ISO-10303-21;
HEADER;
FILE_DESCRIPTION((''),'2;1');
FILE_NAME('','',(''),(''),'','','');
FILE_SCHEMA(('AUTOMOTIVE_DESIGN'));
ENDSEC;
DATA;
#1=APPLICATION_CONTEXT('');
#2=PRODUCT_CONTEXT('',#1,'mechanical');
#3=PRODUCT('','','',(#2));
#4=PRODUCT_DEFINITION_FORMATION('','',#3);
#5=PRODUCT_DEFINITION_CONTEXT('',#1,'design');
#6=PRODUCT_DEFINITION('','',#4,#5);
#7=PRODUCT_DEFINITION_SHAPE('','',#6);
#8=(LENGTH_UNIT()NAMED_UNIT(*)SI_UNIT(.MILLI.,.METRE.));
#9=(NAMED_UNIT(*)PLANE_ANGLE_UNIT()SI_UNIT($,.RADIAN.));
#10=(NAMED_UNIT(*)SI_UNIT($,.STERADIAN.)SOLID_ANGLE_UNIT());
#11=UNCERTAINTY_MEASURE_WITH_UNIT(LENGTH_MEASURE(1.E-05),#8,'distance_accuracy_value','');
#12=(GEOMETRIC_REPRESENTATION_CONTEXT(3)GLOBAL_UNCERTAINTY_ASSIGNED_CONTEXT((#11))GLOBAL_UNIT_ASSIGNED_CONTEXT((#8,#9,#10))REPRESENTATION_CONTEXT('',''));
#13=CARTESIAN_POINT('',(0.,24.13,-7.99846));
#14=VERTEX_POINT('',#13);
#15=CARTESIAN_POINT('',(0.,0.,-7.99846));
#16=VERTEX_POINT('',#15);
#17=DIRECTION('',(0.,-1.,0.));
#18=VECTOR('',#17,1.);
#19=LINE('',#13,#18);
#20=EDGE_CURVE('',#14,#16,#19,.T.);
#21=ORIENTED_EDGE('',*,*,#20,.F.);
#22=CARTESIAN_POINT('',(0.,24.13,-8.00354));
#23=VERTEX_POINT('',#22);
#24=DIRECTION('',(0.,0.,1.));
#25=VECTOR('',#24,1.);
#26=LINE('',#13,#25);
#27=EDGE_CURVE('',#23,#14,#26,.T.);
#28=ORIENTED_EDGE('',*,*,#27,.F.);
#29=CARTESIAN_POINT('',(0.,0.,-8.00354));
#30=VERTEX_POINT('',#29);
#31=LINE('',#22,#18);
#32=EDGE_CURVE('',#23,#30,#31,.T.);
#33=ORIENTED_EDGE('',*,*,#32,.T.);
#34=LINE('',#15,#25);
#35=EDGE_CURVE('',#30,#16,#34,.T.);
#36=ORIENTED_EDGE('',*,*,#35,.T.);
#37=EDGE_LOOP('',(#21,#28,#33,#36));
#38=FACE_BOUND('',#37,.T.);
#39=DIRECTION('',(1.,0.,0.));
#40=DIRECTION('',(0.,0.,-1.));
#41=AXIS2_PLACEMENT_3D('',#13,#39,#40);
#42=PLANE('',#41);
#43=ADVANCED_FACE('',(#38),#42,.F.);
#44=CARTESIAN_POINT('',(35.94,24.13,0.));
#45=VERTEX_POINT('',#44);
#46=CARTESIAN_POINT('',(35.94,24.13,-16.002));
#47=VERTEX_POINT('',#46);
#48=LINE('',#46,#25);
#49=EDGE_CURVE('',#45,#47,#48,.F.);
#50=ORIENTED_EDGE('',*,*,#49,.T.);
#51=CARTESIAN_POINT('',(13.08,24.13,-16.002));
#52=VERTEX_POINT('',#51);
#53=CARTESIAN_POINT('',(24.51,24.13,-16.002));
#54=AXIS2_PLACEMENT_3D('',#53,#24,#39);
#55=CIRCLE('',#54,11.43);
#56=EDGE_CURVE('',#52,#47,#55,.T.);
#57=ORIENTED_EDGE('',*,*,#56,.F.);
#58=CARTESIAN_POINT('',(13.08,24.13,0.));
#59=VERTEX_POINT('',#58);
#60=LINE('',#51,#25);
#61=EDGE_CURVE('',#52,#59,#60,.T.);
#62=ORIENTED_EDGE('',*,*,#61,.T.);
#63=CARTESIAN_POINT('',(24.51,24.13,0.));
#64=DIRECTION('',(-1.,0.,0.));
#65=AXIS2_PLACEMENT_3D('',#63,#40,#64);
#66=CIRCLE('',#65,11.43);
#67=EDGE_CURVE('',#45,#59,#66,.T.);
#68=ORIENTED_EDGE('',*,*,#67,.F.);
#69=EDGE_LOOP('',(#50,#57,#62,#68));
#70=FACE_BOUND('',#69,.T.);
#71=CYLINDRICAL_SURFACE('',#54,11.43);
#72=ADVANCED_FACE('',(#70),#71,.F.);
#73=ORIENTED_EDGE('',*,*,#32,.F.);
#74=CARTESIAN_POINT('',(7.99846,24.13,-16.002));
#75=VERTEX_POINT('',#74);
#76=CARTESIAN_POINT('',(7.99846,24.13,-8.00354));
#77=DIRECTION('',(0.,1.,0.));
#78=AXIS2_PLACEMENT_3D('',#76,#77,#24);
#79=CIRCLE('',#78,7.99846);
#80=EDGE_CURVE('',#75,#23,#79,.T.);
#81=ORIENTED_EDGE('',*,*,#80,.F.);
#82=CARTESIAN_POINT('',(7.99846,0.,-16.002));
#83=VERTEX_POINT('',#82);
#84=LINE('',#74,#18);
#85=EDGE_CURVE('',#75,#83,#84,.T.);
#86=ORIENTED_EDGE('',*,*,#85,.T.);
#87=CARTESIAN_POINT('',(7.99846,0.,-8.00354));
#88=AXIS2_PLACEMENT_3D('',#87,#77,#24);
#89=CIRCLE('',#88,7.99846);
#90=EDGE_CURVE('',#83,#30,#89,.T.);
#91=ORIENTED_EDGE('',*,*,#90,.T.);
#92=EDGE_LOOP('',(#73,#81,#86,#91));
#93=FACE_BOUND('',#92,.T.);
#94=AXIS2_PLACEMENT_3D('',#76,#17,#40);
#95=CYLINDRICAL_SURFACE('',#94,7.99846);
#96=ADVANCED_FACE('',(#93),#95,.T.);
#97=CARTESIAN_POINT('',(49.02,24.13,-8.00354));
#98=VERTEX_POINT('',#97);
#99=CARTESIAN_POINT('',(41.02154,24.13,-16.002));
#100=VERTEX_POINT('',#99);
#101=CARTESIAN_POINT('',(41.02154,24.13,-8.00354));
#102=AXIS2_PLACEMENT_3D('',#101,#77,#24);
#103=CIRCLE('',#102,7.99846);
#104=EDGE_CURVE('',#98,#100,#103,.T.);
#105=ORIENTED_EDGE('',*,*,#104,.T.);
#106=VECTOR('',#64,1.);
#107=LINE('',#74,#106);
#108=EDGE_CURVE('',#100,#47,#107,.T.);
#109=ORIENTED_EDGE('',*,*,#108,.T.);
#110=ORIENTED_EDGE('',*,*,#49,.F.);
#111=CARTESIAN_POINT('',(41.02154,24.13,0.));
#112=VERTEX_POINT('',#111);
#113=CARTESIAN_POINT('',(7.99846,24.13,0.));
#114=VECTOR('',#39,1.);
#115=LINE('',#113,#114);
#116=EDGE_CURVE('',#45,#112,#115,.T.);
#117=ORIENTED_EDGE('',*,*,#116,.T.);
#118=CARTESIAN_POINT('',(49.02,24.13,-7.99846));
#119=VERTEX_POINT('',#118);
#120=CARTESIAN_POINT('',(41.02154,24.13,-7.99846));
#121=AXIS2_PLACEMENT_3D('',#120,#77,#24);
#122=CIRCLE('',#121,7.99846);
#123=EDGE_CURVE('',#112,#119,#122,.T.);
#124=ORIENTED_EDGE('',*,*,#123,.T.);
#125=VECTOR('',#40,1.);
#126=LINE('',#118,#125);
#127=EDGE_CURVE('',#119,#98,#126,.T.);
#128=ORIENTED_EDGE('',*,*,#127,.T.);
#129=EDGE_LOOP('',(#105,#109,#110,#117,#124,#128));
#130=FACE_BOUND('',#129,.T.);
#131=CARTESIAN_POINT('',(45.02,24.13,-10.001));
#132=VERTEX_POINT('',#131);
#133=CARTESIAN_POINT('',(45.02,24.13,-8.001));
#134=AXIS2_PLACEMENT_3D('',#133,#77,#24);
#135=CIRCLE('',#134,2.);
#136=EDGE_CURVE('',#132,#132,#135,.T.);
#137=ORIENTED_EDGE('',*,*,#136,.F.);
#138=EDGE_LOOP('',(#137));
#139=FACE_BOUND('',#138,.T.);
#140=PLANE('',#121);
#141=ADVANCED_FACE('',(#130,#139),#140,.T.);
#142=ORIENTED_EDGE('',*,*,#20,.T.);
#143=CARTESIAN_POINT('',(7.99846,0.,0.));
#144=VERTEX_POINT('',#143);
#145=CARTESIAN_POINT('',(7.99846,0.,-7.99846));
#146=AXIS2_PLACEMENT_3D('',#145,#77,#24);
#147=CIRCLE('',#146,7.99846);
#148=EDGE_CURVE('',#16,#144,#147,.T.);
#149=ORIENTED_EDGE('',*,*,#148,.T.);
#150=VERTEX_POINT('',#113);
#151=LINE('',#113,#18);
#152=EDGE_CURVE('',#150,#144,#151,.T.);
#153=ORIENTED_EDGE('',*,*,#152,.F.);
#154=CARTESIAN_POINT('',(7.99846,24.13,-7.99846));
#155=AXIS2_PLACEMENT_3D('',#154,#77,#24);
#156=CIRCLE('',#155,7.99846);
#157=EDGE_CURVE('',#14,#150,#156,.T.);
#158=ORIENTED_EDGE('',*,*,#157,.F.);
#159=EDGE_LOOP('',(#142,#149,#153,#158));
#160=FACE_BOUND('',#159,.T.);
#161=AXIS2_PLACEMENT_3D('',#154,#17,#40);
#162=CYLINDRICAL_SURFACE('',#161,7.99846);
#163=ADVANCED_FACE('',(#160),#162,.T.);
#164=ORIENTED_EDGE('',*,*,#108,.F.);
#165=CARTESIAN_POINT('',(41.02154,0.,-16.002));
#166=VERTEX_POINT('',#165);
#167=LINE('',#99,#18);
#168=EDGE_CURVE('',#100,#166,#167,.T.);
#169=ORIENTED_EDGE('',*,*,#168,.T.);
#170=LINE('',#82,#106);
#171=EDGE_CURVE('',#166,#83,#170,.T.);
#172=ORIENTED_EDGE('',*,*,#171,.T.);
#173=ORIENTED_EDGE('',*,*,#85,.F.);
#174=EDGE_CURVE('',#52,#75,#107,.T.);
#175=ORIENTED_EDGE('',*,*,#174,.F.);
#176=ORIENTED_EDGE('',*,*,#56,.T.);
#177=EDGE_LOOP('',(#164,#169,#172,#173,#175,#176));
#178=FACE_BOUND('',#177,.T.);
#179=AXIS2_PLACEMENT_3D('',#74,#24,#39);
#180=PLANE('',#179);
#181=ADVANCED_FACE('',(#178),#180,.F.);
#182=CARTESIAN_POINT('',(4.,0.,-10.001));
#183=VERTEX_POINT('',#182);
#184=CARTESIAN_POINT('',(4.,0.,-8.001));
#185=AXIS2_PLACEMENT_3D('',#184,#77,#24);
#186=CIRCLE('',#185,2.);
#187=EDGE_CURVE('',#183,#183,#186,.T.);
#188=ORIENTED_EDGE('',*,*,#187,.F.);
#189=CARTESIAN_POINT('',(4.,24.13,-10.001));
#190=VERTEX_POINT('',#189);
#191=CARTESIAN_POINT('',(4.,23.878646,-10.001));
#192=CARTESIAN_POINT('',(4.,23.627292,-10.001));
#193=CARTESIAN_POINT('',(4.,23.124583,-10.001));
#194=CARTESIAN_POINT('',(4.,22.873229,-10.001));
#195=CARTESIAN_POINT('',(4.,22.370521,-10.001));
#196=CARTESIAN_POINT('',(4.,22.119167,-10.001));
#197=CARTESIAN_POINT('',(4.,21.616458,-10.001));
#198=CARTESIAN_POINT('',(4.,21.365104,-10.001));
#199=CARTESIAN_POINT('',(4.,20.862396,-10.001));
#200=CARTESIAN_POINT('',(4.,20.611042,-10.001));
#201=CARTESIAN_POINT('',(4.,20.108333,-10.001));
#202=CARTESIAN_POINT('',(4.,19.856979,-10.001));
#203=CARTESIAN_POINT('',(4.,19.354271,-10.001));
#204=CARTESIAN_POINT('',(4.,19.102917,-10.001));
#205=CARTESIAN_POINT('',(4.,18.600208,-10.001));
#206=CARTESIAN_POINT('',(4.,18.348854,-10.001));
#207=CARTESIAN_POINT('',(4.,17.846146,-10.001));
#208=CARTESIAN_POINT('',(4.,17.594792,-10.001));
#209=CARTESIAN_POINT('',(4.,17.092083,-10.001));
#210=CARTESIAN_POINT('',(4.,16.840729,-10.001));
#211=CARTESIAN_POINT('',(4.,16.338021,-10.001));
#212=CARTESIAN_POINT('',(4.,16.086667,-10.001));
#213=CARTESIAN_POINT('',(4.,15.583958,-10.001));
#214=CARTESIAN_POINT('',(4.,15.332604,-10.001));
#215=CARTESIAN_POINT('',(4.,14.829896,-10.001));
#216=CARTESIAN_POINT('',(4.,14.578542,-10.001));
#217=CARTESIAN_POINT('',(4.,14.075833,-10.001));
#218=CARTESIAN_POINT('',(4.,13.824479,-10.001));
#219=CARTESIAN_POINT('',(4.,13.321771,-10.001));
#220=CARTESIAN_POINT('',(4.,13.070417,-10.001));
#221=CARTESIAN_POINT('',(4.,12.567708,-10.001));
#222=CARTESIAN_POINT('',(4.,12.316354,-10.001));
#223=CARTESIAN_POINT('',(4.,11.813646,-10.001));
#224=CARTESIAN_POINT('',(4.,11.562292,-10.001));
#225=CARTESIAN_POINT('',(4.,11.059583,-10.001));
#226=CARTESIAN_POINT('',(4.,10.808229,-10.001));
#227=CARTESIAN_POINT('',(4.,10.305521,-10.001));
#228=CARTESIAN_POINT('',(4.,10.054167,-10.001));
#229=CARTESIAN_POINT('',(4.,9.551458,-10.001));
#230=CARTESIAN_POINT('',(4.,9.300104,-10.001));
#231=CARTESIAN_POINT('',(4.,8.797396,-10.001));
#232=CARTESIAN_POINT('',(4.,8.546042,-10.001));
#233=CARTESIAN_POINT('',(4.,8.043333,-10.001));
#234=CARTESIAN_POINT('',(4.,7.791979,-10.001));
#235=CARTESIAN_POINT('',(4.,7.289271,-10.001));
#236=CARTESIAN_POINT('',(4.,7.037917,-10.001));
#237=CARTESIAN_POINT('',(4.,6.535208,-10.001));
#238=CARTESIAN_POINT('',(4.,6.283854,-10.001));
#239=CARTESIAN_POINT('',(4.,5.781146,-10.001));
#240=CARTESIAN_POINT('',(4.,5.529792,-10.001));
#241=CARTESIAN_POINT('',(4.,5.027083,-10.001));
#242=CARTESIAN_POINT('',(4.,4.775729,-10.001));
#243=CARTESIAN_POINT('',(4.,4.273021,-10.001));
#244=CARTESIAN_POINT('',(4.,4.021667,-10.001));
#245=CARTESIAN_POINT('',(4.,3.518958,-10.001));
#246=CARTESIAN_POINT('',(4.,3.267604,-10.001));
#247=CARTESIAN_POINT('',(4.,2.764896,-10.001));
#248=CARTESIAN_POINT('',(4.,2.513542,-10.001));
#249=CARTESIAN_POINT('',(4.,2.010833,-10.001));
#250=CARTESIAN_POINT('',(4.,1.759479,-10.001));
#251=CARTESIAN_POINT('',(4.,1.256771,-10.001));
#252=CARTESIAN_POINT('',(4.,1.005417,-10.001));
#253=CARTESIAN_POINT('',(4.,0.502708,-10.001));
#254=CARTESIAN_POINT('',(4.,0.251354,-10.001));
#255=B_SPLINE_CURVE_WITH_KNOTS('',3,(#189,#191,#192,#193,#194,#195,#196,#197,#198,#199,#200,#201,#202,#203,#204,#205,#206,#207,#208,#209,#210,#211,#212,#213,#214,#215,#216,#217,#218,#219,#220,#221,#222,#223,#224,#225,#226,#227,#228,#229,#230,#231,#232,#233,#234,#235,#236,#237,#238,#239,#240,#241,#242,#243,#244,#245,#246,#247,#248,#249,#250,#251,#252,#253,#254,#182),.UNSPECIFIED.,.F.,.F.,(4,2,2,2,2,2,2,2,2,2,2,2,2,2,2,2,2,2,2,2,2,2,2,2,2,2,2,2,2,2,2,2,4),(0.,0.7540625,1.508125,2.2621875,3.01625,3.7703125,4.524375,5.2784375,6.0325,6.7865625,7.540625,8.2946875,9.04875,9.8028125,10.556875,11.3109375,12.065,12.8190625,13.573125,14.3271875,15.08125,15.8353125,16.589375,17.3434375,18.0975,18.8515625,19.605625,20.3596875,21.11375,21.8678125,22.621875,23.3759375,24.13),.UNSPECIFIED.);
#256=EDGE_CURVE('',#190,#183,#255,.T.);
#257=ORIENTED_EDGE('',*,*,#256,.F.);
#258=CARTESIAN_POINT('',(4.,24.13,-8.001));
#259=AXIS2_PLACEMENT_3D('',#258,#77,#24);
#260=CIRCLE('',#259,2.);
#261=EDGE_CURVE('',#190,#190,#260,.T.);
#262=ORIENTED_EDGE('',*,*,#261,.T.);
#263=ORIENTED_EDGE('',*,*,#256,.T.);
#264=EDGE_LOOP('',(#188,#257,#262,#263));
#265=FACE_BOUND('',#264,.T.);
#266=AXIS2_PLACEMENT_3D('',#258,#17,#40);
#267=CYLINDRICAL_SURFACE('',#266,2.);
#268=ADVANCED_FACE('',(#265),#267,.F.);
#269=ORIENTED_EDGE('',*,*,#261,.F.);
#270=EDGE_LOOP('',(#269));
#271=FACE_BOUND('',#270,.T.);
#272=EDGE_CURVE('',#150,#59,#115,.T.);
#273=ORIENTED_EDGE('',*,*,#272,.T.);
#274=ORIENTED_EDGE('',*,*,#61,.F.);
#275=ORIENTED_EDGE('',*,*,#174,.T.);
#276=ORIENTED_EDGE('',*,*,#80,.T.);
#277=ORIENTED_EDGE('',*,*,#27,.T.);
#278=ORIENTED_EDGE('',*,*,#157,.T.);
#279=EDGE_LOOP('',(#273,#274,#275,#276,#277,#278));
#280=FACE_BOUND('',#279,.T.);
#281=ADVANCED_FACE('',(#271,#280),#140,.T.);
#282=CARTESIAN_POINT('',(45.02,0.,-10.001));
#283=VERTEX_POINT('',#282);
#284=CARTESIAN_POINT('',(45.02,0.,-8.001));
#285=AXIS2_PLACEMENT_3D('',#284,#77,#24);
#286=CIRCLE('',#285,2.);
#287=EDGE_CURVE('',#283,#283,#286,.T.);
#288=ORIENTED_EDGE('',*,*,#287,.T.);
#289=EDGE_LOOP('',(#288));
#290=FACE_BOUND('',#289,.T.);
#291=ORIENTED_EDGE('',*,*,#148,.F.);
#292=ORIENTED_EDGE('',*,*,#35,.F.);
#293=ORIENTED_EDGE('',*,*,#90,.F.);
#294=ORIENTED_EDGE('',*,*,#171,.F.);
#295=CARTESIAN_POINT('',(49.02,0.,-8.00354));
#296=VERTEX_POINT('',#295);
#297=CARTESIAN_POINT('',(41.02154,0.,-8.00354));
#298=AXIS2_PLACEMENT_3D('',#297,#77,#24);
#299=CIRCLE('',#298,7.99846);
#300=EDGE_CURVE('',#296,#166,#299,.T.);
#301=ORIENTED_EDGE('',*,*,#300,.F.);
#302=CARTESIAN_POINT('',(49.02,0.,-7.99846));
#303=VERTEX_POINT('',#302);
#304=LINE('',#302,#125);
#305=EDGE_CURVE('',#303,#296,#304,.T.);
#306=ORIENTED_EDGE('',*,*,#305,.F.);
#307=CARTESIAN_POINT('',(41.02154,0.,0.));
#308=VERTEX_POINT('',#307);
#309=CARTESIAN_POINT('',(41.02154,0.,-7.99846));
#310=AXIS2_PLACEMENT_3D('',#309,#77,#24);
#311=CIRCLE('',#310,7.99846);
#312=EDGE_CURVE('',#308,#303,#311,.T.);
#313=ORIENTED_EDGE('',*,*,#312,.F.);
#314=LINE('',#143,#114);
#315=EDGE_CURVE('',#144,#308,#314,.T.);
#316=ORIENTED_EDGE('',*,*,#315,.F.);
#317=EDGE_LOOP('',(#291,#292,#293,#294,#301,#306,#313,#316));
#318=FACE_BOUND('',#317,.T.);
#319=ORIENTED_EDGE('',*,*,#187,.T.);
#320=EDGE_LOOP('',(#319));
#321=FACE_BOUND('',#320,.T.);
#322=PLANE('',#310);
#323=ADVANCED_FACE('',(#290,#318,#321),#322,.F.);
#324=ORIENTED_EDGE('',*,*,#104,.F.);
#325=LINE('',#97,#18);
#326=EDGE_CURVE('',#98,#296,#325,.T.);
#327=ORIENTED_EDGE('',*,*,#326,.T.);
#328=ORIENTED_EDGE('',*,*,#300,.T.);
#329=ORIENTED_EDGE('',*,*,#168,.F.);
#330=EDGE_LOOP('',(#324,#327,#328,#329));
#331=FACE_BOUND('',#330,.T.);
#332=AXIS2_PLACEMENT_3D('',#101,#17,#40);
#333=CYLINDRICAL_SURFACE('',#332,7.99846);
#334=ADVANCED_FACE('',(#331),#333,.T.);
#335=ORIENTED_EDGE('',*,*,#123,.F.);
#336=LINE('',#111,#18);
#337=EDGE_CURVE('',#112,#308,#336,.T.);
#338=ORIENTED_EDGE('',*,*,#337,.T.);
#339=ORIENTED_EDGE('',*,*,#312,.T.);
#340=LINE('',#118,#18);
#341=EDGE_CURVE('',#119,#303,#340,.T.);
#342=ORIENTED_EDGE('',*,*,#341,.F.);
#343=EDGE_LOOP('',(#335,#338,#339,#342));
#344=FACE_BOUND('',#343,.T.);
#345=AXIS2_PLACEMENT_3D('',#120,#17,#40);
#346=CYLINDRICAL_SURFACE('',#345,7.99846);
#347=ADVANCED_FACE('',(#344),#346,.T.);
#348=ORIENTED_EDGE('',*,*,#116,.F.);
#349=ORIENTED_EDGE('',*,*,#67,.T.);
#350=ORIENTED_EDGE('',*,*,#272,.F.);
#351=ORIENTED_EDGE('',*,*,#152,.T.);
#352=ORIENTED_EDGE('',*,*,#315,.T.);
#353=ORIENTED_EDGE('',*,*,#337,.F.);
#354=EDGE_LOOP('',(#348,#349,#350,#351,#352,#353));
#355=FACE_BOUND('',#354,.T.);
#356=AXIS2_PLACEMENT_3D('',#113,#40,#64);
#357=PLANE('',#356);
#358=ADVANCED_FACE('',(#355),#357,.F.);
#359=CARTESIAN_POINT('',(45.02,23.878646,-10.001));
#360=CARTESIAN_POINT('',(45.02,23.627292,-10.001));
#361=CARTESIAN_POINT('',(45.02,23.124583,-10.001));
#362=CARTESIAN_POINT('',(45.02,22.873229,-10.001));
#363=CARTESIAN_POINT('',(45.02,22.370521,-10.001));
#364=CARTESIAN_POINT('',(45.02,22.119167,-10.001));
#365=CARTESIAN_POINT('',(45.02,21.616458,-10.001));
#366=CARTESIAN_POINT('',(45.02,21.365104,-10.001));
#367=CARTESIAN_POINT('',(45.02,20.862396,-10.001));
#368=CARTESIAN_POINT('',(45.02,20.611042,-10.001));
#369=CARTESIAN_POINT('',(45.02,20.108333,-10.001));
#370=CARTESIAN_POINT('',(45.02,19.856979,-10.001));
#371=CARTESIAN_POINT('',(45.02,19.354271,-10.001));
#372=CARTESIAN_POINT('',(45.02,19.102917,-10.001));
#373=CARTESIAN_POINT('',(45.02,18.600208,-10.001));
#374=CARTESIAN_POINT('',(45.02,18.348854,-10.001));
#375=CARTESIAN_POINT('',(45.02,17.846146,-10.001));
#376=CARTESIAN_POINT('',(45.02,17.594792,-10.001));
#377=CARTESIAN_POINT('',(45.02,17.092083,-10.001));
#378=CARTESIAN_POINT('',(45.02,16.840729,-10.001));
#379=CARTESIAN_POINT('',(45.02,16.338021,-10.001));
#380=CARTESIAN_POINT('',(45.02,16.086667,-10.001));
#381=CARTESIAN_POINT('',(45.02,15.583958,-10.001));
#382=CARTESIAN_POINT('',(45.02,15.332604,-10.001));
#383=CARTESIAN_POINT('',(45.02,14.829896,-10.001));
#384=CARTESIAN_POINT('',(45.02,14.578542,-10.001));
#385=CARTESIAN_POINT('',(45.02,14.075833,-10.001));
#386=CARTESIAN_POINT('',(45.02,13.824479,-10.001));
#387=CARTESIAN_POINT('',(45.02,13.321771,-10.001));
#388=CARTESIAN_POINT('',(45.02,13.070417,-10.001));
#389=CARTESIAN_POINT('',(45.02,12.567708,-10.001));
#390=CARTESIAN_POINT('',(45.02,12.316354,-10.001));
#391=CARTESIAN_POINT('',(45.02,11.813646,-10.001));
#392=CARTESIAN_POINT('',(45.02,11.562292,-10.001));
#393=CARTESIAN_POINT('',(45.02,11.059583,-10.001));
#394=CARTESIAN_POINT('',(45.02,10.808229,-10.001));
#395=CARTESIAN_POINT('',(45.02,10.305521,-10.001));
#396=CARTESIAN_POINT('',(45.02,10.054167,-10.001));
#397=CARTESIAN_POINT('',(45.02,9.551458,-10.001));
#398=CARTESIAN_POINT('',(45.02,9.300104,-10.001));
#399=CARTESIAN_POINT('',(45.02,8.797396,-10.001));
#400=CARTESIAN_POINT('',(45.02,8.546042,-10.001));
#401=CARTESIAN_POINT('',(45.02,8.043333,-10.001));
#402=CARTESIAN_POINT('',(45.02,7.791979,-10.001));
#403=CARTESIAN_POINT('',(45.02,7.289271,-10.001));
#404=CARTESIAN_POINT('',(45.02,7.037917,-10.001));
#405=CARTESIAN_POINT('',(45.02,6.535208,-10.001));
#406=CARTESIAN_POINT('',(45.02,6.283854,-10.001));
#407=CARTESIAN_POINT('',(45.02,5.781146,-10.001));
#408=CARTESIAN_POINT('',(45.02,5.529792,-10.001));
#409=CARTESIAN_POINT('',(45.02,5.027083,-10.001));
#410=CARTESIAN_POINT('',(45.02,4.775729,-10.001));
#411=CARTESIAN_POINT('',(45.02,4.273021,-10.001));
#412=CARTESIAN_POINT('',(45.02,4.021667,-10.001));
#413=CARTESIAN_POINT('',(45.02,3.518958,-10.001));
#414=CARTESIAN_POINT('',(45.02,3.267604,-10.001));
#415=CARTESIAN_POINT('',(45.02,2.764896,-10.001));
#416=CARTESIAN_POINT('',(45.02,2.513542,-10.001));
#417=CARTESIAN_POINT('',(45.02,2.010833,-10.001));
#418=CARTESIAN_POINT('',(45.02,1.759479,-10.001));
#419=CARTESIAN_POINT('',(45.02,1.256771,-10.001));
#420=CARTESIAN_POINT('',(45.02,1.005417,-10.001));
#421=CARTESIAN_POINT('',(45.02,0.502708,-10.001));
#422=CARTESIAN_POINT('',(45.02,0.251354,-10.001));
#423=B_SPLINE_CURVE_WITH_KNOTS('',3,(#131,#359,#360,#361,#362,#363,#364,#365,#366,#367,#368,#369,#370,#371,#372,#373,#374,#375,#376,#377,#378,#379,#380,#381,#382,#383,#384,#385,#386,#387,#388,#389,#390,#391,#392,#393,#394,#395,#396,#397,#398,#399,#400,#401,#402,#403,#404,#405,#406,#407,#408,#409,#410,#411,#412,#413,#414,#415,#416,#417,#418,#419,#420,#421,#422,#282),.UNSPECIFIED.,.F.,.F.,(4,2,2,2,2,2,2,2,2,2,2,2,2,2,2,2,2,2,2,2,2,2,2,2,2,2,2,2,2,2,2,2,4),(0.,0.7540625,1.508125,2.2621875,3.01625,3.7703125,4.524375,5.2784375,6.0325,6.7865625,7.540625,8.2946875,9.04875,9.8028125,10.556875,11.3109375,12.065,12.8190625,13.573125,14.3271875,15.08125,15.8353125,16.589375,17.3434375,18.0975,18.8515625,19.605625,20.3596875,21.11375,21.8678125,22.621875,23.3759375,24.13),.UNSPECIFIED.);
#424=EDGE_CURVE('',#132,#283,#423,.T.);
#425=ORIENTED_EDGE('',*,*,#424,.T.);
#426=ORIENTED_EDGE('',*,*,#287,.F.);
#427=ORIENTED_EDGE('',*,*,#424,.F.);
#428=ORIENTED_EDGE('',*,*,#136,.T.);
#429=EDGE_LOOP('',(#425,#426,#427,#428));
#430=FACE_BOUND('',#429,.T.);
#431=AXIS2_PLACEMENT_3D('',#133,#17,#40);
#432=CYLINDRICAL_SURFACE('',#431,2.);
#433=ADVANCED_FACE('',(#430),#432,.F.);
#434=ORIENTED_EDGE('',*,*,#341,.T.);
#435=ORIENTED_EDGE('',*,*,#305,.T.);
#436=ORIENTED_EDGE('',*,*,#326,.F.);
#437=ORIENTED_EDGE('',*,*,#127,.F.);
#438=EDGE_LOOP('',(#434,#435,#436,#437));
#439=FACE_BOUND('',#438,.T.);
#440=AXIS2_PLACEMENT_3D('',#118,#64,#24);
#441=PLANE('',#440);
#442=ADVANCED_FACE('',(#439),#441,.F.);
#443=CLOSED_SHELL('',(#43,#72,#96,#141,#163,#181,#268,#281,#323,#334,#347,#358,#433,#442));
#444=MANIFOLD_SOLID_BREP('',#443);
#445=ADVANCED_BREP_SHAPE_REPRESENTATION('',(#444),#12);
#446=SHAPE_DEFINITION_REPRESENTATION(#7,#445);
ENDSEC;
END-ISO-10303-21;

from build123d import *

# Parameters (mm, degrees)
SKETCH1_R           = 2
BOSS_EXTRUDE1_DEPTH = 24.13
SKETCH2_R           = 11.43
CUT_EXTRUDE1_DEPTH  = 57.932251879


with BuildPart() as part:
    # Sketch1 → Boss-Extrude1 (new body)
    with BuildSketch(Plane(origin=(0, 0, 0), x_dir=(1, 0, 0), z_dir=(0, 1, 0))):
        with BuildLine():
            Line((7.99846, 0), (41.02154, 0))
            ThreePointArc((41.02154, 0), (46.677305305, 2.342694695), (49.02, 7.99846))
            Line((49.02, 7.99846), (49.02, 8.00354))
            ThreePointArc((49.02, 8.00354), (46.677305305, 13.659305305), (41.02154, 16.002))
            Line((41.02154, 16.002), (7.99846, 16.002))
            ThreePointArc((7.99846, 16.002), (2.342694695, 13.659305305), (0, 8.00354))
            Line((0, 8.00354), (0, 7.99846))
            ThreePointArc((0, 7.99846), (2.342694695, 2.342694695), (7.99846, 0))
        make_face()
        with Locations(Location((4, 8.001, 0), (0, 0, 90))):
            Circle(SKETCH1_R, mode=Mode.SUBTRACT)
        with Locations(Location((45.02, 8.001, 0), (0, 0, 90))):
            Circle(SKETCH1_R, mode=Mode.SUBTRACT)
    extrude(amount=BOSS_EXTRUDE1_DEPTH)

    # Sketch2 → Cut-Extrude1 (cut, through all)
    with BuildSketch(Plane.XY):
        with Locations((24.51, 24.13)):
            Circle(SKETCH2_R)
    extrude(amount=-CUT_EXTRUDE1_DEPTH, mode=Mode.SUBTRACT)


solid = part.part
